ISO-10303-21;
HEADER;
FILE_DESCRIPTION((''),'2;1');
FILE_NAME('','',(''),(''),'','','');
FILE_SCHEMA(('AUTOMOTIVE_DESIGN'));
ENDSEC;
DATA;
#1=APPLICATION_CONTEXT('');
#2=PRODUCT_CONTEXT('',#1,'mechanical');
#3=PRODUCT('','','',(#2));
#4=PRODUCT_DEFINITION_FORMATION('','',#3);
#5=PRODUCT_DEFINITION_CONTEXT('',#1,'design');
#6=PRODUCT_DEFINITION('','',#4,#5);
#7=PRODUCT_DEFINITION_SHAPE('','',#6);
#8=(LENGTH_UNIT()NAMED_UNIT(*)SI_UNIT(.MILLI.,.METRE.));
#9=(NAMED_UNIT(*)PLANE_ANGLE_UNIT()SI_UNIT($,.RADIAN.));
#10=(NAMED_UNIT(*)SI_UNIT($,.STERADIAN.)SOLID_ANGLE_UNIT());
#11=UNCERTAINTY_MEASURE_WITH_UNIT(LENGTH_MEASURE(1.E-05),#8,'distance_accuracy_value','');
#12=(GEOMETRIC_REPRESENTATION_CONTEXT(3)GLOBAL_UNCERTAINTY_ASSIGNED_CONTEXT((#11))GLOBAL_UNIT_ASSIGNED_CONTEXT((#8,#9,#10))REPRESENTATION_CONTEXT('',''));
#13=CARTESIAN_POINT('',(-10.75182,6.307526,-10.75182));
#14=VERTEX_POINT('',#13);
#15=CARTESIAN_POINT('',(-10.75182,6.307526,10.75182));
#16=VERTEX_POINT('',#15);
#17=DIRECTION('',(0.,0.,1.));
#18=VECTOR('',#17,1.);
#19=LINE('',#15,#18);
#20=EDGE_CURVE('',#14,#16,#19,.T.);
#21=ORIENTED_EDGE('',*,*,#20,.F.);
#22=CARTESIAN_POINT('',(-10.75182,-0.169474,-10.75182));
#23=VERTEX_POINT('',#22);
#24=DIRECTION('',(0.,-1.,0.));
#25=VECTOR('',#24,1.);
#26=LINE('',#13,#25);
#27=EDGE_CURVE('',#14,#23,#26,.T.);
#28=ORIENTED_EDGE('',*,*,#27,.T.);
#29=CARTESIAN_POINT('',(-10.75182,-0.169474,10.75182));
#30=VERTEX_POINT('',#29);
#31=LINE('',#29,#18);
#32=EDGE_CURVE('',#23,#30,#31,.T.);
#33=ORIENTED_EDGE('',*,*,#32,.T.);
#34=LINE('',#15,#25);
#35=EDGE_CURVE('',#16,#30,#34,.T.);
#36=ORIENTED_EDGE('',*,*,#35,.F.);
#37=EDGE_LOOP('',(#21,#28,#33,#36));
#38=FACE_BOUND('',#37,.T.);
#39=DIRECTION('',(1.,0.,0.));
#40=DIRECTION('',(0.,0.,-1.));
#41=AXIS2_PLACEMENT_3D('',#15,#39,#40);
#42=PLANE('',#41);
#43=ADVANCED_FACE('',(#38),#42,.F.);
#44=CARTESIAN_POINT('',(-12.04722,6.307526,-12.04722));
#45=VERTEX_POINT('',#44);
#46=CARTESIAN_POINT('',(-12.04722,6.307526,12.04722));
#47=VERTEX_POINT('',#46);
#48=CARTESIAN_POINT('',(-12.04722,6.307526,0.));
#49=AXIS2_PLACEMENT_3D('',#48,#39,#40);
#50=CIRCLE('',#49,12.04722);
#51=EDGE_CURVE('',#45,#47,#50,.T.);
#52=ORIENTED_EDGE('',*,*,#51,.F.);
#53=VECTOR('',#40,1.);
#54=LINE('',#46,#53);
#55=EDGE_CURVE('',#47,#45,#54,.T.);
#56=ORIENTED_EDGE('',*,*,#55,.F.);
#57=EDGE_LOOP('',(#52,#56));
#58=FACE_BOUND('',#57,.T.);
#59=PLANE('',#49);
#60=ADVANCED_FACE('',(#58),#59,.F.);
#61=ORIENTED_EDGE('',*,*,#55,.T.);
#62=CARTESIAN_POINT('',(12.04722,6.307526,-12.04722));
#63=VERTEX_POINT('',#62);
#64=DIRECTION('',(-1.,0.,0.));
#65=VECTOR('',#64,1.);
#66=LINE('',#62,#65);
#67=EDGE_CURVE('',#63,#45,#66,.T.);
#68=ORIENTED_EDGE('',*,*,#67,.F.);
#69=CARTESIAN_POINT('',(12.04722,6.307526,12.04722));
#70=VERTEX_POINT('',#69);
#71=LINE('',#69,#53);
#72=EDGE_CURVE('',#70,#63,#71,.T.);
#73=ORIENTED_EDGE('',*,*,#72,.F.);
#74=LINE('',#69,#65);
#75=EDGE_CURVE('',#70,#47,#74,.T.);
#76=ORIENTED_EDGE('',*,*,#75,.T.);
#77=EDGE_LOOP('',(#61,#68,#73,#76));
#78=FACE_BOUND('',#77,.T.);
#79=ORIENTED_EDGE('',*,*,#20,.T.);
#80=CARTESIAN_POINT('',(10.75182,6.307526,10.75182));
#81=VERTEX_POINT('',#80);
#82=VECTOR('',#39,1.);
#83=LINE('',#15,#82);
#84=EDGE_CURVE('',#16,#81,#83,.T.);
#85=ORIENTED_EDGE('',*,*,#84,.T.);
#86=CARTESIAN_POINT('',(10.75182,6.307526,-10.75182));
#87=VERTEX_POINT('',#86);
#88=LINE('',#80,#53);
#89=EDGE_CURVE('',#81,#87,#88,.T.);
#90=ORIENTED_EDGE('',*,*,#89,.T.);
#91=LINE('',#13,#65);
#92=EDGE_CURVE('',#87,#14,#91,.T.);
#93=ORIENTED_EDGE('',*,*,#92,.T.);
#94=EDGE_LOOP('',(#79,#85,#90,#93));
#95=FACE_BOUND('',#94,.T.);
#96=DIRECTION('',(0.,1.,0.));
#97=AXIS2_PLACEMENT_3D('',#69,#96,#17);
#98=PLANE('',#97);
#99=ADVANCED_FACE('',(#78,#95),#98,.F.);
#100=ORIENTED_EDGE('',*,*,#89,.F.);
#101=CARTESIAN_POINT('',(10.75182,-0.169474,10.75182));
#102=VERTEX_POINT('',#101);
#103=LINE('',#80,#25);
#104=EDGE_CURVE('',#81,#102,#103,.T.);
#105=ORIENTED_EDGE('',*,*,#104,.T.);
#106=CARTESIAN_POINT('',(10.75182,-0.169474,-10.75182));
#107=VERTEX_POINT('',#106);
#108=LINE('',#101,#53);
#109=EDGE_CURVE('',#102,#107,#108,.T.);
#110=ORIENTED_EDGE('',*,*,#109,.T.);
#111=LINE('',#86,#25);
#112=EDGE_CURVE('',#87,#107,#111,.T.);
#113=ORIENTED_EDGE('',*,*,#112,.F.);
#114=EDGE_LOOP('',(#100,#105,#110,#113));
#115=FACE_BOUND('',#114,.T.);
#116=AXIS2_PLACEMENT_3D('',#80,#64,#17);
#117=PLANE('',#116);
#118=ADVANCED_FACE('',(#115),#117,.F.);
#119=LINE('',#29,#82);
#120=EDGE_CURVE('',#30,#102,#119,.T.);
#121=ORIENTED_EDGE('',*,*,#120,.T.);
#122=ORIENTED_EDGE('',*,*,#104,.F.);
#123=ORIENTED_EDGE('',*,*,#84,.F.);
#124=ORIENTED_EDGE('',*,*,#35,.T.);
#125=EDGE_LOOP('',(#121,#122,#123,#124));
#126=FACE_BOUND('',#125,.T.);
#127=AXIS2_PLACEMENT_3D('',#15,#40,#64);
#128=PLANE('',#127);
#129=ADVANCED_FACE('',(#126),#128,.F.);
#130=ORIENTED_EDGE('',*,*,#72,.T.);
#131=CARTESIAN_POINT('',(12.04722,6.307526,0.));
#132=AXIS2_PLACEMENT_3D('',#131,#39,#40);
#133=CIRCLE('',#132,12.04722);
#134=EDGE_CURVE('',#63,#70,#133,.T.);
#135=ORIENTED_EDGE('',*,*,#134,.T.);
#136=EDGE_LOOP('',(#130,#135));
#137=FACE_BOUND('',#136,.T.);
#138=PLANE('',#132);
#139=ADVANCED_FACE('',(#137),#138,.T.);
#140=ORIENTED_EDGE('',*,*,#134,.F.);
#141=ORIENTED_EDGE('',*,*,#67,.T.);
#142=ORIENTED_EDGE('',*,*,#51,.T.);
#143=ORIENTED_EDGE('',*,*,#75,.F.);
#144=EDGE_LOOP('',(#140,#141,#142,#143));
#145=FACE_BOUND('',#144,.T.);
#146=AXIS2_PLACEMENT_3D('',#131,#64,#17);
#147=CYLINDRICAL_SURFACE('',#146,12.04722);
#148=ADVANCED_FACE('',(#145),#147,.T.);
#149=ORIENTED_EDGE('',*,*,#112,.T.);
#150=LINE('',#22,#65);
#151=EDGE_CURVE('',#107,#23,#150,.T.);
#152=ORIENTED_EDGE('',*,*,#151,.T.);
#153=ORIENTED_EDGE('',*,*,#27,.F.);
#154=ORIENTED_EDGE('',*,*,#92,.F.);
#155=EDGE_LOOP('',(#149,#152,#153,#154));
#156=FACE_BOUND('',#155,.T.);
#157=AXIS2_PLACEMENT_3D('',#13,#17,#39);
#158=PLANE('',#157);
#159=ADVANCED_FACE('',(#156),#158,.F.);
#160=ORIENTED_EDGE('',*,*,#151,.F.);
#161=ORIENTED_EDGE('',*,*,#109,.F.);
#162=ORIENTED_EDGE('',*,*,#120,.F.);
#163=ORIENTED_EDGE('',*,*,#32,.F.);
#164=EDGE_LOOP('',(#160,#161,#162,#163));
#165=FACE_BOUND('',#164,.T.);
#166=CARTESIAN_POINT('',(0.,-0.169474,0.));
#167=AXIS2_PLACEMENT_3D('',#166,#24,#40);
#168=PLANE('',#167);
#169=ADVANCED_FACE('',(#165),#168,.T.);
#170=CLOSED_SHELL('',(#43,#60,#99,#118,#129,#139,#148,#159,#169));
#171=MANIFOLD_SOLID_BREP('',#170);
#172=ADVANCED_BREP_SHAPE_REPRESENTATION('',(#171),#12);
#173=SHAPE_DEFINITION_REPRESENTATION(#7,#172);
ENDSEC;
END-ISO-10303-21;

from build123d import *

# Parameters (mm, degrees)
SKETCH1_W           = 21.082
SKETCH1_H           = 21.082
BOSS_EXTRUDE1_DEPTH = 6.35
BOSS_EXTRUDE2_DEPTH = 11.811
SCALE1_SCALE        = 1.02


with BuildPart() as part:
    # Sketch1 → Boss-Extrude1 (new body)
    with BuildSketch(Plane(origin=(0, 0, 0), x_dir=(1, 0, 0), z_dir=(0, 1, 0))):
        Rectangle(SKETCH1_W, SKETCH1_H)
    extrude(amount=BOSS_EXTRUDE1_DEPTH)

    # Sketch3 → Boss-Extrude2 (add, symmetric)
    with BuildSketch(Plane(origin=(0, 0, 0), x_dir=(0, 0, -1), z_dir=(1, 0, 0))):
        with BuildLine():
            Line((-11.811, 6.35), (11.811, 6.35))
            ThreePointArc((11.811, 6.35), (0, 18.161), (-11.811, 6.35))
        make_face()
    extrude(amount=BOSS_EXTRUDE2_DEPTH, both=True)


with BuildPart() as part_1:
    # Scale1: scaled about (0, 8.473688703, 0)
    add(part.part.scale(SCALE1_SCALE).moved(Location((0, -0.169473774, 0))))


solid = part_1.part
